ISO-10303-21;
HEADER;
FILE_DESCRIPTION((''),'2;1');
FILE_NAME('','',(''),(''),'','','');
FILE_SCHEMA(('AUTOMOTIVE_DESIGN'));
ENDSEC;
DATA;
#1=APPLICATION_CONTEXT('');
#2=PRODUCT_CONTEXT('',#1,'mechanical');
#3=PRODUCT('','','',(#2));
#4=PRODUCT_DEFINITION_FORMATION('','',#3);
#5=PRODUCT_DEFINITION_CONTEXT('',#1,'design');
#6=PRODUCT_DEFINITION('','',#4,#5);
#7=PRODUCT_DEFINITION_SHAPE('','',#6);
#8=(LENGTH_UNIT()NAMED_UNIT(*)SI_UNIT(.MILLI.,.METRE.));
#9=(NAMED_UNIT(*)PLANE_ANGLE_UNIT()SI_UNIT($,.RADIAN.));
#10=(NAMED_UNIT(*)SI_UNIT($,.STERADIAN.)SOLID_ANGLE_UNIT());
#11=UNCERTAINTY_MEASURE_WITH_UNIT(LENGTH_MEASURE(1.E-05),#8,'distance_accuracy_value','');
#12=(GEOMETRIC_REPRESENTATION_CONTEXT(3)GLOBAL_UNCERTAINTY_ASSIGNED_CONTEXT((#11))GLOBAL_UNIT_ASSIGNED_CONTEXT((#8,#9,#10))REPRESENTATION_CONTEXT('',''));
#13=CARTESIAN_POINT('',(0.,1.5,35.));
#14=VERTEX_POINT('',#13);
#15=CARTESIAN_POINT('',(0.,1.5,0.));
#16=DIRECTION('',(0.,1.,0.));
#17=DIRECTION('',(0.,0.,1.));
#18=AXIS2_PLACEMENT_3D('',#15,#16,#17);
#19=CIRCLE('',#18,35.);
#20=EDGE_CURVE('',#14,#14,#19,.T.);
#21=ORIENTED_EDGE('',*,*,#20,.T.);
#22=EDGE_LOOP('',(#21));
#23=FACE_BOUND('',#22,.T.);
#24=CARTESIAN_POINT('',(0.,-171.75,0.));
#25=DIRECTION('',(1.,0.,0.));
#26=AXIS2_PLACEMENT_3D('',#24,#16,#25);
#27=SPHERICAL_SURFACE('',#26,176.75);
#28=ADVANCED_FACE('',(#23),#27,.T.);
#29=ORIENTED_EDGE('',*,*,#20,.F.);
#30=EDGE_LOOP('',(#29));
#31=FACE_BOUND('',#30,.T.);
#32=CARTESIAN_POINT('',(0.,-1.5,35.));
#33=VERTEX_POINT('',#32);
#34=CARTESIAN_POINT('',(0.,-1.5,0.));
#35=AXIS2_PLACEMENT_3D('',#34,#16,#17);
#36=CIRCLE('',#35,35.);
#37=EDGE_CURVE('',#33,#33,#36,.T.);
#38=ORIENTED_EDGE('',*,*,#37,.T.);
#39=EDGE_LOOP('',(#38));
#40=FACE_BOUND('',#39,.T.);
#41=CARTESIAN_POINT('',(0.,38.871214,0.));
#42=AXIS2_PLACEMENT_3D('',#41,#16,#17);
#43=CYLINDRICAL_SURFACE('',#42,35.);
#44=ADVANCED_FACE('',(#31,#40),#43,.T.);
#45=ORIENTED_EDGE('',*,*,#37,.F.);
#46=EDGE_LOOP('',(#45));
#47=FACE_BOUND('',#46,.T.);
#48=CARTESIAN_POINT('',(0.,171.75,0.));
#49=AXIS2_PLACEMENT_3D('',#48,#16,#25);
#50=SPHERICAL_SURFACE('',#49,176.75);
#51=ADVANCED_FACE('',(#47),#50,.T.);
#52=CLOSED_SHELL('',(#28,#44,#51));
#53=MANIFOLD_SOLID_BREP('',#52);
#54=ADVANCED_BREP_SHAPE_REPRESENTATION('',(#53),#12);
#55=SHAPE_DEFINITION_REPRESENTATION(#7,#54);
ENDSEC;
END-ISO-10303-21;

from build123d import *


with BuildPart() as part:
    # Sketch1 → Revolve7 (revolve)
    with BuildSketch(Plane.XY):
        with BuildLine():
            Line((0, 5), (0, -5))
            ThreePointArc((0, -5), (17.587282337, -4.12282337), (35, -1.5))
            Line((35, -1.5), (35, 1.5))
            ThreePointArc((35, 1.5), (17.587282337, 4.12282337), (0, 5))
        make_face()
    revolve(axis=Axis((0, 38.871213559, 0), (0, -1, 0)))


solid = part.part
